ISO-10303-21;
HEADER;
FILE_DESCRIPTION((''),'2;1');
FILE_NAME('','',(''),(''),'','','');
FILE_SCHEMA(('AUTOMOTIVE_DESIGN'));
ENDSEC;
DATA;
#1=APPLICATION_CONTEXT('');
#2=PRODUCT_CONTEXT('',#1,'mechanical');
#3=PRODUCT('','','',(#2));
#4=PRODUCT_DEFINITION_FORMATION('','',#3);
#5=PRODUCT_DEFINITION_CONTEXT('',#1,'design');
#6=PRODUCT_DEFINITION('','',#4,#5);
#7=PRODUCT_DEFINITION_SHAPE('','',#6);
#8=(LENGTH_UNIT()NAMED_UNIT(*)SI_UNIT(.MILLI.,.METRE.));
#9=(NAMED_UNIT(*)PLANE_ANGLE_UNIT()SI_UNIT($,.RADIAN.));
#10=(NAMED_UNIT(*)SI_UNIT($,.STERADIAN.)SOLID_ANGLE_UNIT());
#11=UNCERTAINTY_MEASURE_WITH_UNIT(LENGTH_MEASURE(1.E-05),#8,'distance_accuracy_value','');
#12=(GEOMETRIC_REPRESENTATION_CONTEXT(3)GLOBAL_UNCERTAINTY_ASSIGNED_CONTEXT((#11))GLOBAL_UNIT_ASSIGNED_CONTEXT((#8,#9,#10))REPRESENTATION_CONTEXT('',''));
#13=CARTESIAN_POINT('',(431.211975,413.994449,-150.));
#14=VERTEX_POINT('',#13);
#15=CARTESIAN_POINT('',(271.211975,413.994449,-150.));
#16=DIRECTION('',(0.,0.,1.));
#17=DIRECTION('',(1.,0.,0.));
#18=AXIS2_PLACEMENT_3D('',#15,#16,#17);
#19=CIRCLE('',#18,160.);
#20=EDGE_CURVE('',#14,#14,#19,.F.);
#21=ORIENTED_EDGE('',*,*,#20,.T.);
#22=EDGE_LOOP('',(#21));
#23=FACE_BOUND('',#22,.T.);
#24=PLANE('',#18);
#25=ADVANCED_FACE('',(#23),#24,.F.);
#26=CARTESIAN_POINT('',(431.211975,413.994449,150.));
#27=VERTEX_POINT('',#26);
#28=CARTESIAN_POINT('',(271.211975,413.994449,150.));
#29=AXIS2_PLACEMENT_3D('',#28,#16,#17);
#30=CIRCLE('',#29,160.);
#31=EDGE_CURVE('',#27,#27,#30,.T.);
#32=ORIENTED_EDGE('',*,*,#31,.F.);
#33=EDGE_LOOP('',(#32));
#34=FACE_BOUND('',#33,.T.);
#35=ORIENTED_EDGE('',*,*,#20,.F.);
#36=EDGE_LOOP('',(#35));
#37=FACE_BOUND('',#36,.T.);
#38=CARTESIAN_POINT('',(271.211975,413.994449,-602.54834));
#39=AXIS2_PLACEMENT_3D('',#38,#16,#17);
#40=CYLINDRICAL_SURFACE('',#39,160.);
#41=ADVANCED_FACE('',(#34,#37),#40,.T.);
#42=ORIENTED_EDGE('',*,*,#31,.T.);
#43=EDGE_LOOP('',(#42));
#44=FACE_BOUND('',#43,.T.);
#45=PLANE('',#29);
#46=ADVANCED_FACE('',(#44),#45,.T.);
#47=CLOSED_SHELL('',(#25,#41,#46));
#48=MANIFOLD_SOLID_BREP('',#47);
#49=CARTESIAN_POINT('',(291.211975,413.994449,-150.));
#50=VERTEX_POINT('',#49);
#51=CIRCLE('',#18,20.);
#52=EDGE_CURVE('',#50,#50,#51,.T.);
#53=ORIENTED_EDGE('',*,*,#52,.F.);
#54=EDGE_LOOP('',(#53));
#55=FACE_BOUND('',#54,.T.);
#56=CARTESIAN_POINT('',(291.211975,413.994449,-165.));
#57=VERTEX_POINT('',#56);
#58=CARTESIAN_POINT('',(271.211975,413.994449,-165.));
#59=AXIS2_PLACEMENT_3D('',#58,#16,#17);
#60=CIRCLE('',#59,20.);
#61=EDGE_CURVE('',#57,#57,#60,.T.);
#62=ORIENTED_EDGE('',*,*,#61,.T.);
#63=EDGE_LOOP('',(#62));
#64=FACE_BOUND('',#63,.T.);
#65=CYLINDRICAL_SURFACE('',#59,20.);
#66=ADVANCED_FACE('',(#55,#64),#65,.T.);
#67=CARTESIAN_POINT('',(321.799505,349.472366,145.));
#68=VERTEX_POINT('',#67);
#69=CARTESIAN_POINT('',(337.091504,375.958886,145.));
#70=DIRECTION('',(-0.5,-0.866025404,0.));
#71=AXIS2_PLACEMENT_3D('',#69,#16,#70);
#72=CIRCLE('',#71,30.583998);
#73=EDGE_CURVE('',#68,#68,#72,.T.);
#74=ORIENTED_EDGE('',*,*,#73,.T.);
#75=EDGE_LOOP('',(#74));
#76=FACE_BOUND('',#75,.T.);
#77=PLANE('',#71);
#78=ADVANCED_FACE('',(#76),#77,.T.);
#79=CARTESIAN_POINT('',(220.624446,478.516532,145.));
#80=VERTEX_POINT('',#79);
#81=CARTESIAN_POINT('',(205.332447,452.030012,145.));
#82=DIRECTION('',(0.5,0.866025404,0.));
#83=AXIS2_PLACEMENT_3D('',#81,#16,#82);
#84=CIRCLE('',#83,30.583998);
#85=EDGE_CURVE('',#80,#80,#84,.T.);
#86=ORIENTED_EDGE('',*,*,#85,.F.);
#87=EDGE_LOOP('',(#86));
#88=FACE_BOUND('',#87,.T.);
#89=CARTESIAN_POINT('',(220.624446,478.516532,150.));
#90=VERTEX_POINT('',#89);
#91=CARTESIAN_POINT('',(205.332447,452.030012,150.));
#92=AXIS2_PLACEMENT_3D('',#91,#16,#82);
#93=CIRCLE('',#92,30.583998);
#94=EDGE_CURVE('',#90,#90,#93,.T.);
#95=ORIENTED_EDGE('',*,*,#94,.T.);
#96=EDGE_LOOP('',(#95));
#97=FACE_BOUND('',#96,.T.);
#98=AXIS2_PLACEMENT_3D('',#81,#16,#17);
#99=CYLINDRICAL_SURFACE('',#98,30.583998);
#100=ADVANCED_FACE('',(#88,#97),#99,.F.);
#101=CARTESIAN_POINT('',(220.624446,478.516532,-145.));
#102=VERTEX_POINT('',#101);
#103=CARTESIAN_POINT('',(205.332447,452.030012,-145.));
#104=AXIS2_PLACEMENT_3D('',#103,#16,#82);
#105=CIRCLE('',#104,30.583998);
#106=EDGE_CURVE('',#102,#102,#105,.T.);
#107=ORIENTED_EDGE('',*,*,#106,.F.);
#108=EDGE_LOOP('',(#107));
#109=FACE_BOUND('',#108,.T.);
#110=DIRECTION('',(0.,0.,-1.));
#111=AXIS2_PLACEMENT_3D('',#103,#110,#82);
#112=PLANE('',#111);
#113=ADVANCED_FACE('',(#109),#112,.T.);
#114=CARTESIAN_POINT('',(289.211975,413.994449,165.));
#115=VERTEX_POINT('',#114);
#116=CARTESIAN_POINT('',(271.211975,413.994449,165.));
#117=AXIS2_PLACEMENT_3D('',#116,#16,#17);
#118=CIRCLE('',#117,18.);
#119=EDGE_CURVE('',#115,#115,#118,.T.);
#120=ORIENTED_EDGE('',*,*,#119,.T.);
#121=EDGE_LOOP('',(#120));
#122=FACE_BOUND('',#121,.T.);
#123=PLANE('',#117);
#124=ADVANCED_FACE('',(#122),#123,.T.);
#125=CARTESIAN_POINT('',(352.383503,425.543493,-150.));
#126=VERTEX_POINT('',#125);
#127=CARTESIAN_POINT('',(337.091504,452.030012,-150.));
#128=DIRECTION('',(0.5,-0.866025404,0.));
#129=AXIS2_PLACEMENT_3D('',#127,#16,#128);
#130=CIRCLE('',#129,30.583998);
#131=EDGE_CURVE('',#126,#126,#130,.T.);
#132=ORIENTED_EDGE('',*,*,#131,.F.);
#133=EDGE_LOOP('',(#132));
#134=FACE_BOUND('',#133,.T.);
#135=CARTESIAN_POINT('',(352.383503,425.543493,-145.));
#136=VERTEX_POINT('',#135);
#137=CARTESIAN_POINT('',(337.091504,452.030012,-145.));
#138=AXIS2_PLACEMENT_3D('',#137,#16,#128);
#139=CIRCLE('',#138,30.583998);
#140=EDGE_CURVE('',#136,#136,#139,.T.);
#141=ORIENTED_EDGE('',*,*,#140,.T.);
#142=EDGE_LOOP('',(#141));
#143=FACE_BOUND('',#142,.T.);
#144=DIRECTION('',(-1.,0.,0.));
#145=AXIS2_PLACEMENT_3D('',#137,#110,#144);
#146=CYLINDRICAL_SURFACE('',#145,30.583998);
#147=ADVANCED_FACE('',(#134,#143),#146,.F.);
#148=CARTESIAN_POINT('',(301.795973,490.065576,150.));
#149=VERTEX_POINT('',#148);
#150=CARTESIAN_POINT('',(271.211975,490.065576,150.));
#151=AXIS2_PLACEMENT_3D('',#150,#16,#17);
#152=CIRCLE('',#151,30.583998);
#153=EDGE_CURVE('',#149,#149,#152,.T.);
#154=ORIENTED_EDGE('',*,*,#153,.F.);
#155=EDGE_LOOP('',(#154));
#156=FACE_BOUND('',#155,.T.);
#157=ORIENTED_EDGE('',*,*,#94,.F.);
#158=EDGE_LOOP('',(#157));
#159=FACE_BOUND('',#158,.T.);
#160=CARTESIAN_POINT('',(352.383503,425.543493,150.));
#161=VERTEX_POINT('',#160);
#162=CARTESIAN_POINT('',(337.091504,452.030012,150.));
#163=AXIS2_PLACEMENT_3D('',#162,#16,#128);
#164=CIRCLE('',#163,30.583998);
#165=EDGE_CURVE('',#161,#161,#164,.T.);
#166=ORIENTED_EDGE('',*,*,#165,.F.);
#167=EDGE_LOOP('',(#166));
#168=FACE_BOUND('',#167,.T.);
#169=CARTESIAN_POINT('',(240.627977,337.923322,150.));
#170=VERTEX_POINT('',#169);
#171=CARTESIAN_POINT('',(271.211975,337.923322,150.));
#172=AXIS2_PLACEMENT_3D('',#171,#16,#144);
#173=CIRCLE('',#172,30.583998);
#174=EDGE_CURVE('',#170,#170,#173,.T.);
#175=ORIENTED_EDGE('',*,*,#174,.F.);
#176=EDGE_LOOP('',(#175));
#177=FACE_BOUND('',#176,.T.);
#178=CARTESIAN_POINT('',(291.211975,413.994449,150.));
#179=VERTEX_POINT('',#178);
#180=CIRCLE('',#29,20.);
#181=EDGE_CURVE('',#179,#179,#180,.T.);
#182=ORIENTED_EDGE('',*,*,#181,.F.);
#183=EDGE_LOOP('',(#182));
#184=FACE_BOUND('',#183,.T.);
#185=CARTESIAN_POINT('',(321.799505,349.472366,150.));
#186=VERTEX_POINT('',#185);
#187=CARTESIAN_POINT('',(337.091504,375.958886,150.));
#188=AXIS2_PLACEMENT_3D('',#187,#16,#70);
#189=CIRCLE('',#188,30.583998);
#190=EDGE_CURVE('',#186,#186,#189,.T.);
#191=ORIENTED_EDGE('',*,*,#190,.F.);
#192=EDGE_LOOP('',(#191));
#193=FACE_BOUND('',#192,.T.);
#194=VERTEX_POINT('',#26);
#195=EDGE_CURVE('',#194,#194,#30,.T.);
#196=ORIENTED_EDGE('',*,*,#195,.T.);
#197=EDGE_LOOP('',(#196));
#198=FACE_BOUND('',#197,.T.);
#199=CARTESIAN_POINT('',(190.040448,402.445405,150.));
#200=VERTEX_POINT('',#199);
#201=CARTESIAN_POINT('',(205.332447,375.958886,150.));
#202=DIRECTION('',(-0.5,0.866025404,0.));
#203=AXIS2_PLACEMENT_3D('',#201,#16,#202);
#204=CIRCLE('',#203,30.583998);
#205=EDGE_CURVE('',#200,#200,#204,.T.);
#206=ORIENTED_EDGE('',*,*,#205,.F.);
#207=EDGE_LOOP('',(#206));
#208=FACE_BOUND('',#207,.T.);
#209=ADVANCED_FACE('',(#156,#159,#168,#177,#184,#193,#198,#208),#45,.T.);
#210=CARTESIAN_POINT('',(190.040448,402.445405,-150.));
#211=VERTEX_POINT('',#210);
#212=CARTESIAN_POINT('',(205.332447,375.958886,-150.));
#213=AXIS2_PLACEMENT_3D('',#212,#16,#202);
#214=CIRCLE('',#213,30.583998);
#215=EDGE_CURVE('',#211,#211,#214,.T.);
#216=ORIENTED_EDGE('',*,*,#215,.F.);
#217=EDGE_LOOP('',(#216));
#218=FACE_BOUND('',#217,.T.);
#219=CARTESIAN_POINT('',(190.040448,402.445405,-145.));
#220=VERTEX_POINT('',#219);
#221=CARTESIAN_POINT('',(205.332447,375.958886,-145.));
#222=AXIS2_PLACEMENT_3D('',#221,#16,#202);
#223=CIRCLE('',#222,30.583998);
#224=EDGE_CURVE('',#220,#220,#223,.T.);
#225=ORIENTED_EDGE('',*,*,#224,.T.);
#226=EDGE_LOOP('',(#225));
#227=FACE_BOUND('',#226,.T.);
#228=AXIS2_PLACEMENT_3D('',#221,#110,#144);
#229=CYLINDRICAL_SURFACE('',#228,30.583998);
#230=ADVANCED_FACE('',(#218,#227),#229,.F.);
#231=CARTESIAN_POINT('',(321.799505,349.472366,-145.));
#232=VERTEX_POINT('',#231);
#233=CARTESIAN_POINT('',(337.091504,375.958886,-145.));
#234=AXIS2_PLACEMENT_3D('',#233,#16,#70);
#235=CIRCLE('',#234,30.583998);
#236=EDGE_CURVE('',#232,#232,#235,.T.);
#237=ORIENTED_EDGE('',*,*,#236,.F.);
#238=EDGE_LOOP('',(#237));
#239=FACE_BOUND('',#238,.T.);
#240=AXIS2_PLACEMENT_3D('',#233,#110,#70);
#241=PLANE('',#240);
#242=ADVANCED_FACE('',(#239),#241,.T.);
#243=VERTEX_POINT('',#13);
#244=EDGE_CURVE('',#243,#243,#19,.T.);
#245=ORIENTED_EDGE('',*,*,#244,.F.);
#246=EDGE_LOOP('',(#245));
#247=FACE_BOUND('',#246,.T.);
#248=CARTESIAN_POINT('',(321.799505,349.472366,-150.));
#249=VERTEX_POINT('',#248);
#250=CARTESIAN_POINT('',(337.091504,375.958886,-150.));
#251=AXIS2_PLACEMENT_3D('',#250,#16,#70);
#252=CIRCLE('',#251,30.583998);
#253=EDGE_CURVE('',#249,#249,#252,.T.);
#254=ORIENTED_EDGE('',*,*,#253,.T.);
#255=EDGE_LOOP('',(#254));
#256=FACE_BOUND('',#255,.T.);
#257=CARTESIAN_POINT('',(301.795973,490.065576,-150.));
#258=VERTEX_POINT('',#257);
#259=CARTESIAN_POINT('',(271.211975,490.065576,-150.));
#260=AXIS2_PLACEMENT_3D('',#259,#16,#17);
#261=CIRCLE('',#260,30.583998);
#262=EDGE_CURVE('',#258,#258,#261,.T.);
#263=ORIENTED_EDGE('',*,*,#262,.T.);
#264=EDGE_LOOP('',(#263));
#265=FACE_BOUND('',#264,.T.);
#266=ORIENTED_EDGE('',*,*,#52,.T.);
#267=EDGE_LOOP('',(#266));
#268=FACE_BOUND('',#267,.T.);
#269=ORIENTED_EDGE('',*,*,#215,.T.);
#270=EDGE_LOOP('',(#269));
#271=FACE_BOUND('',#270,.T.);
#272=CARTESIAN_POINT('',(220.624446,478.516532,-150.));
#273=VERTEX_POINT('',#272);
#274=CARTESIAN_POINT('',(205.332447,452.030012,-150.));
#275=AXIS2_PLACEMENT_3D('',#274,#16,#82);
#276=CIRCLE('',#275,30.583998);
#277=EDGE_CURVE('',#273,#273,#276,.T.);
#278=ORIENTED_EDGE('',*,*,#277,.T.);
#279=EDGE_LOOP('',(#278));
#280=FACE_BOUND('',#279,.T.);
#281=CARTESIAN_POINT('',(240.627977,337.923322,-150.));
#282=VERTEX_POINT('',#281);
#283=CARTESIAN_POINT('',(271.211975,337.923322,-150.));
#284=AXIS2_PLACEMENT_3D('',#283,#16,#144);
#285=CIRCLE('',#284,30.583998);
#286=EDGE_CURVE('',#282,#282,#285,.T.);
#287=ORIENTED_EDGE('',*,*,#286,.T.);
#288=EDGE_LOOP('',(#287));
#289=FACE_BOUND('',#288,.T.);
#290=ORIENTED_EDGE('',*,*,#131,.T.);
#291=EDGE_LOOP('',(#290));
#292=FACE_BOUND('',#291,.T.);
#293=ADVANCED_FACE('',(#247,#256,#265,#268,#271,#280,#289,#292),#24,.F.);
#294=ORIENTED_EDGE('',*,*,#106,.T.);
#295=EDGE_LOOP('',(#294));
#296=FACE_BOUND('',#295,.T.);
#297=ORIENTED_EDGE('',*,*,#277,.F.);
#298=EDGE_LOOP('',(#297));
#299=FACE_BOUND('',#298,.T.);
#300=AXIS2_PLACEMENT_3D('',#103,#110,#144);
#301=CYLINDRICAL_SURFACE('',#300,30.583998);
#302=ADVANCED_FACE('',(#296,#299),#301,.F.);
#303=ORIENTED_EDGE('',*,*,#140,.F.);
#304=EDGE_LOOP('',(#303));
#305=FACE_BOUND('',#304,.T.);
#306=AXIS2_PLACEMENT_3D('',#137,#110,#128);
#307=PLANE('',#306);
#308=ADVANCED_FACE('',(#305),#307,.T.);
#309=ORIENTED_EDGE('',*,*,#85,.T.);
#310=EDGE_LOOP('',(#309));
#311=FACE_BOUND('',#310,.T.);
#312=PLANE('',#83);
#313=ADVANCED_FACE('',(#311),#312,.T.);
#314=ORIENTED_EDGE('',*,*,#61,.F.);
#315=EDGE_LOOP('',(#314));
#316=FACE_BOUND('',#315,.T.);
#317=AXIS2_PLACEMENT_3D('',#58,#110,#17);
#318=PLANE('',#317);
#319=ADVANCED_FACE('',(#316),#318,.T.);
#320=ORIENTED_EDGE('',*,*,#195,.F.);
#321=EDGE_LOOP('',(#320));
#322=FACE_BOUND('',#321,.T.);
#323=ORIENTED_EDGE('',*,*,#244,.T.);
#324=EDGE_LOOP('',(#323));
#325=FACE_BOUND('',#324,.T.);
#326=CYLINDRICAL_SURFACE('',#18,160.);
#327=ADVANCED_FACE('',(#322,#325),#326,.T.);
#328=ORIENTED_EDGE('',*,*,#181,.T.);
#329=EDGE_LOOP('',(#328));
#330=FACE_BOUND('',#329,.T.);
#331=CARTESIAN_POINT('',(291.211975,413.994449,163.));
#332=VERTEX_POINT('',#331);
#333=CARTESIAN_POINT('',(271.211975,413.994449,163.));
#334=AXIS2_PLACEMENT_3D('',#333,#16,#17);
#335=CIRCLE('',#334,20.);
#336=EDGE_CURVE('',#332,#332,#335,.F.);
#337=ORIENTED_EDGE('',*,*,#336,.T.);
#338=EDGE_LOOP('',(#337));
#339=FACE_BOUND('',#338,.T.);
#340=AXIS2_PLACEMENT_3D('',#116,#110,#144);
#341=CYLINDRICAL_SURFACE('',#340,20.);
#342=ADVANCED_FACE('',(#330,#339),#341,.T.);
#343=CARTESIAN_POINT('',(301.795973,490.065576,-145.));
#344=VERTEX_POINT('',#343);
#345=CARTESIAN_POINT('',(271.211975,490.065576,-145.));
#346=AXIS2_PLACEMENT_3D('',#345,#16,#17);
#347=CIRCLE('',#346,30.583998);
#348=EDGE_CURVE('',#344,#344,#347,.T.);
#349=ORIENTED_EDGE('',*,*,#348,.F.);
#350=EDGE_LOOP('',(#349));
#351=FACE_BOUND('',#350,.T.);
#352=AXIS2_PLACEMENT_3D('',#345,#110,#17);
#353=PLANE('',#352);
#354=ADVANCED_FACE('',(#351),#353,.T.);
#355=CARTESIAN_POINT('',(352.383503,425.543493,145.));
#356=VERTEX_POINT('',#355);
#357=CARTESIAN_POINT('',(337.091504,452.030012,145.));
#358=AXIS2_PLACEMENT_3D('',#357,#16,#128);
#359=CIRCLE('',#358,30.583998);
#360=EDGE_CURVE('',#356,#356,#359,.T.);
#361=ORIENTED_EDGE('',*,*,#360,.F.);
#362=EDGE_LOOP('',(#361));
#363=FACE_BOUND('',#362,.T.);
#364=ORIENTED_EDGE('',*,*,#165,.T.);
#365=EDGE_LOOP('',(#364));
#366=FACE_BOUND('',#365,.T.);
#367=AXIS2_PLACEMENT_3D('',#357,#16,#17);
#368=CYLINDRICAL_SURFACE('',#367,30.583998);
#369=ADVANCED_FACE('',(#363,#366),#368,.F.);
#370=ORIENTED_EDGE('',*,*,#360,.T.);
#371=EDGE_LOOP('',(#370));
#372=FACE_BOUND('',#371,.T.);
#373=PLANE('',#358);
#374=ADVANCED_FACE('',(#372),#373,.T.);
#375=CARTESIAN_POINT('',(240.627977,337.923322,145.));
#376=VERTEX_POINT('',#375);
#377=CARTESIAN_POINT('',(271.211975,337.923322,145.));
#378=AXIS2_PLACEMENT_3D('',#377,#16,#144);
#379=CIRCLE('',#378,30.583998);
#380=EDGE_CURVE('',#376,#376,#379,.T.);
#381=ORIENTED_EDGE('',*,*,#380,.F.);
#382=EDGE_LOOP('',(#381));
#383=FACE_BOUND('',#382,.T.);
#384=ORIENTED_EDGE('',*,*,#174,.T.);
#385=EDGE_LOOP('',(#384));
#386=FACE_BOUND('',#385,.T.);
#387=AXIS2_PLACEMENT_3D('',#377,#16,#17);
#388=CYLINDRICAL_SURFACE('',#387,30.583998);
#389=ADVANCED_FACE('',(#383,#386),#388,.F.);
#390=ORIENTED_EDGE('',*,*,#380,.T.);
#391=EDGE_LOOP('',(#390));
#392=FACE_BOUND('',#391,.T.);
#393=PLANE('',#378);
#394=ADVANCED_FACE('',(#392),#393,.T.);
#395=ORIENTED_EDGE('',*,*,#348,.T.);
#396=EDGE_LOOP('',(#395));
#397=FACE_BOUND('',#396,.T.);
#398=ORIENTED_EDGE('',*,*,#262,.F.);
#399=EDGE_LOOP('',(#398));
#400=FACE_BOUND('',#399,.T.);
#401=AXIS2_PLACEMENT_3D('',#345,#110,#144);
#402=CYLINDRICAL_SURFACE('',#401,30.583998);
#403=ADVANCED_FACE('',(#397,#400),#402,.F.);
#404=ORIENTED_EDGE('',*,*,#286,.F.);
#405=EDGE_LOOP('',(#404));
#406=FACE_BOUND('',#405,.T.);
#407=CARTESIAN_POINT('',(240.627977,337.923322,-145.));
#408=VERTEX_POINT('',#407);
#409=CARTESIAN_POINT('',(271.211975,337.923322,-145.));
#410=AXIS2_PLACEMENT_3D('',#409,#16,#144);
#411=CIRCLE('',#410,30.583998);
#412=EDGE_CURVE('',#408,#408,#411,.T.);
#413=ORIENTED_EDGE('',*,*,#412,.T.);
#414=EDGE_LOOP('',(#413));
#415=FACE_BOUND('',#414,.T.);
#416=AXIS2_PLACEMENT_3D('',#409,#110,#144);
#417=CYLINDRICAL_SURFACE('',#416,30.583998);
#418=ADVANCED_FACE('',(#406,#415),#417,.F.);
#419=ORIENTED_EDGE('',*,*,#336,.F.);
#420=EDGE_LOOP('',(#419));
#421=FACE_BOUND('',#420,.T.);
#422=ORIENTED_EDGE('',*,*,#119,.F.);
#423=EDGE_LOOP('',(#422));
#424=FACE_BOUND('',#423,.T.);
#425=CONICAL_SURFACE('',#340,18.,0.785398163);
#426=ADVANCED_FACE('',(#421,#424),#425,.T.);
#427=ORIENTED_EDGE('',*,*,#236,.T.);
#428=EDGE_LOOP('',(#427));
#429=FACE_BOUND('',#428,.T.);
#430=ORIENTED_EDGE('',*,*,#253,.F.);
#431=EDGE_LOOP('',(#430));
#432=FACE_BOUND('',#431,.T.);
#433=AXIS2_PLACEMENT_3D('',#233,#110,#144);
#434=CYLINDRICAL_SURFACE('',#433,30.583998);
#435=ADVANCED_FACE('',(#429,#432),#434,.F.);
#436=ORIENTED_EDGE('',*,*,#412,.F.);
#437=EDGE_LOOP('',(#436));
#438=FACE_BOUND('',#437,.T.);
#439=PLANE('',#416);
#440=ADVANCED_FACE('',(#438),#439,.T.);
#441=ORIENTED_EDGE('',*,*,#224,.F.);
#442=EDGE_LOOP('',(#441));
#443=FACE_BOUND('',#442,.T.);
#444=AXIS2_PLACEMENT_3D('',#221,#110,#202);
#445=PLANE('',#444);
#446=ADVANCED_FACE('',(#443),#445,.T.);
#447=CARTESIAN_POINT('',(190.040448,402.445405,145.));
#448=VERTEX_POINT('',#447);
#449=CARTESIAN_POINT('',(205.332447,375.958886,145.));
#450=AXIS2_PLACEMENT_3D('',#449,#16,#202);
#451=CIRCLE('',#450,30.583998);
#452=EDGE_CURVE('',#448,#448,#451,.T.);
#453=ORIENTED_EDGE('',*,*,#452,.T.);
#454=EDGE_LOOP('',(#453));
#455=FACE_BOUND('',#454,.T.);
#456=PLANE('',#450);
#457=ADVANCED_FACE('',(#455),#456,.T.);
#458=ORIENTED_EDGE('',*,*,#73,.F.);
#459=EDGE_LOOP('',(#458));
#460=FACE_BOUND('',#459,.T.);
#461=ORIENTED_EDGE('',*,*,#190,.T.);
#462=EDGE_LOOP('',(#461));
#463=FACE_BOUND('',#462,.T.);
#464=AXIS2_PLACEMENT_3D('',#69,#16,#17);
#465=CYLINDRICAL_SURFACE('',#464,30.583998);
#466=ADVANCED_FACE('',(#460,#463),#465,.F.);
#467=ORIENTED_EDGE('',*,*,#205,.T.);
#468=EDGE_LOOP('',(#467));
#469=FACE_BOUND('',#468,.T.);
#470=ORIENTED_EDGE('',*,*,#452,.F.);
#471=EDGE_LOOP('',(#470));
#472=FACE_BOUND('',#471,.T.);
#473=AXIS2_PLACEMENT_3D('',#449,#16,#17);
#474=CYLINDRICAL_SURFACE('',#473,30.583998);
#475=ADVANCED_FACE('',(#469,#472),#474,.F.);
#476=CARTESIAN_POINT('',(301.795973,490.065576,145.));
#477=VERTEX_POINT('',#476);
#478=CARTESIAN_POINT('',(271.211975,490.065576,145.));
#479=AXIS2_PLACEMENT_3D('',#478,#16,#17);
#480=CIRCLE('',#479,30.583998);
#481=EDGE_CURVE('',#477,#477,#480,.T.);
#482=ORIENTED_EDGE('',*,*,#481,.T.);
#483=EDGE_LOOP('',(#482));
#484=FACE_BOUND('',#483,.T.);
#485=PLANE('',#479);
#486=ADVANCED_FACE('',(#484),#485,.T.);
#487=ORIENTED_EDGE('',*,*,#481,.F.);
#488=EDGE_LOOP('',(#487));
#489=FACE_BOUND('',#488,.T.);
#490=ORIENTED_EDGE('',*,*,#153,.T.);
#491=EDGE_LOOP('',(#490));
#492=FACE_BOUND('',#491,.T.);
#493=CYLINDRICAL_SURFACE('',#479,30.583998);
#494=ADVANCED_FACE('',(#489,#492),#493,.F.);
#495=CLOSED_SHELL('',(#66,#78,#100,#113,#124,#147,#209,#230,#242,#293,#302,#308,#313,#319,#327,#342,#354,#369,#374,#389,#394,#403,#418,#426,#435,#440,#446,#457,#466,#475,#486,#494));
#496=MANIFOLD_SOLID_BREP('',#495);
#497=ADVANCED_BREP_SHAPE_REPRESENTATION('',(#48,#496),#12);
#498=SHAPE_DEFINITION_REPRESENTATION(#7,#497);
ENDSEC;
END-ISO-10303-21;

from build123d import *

# Parameters (mm, degrees)
SKETCH1_R               = 160
BOSS_EXTRUDE1_DEPTH     = 150
SKETCH2_R               = 30.583998029
CUT_EXTRUDE1_DEPTH      = 5
CIRPATTERN1_COUNT       = 6
MIRROR1_COPY_1_SKETCH_R = 30.583998029
MIRROR1_COPY_1_DEPTH    = 5
MIRROR1_COPY_2_SKETCH_R = 30.583998029
MIRROR1_COPY_2_DEPTH    = 5
MIRROR1_COPY_3_SKETCH_R = 30.583998029
MIRROR1_COPY_3_DEPTH    = 5
MIRROR1_COPY_4_SKETCH_R = 30.583998029
MIRROR1_COPY_4_DEPTH    = 5
MIRROR1_COPY_5_SKETCH_R = 30.583998029
MIRROR1_COPY_5_DEPTH    = 5
SKETCH3_R               = 20
BOSS_EXTRUDE2_DEPTH     = 15
CHAMFER1_SIZE           = 2
SKETCH4_R               = 160
BOSS_EXTRUDE3_DEPTH     = 300


with BuildPart() as part:
    # Sketch1 → Boss-Extrude1 (new, symmetric)
    with BuildSketch(Plane.XY):
        with Locations((271.211975439, 413.994449049)):
            Circle(SKETCH1_R)
    extrude(amount=BOSS_EXTRUDE1_DEPTH, both=True)

    # Sketch2 → Cut-Extrude1 (cut)
    with BuildSketch(Plane.XY.offset(150)):
        with Locations((271.211975439, 490.065575896)):
            Circle(SKETCH2_R)
    cut_extrude1 = extrude(amount=-CUT_EXTRUDE1_DEPTH, mode=Mode.SUBTRACT)

    # CirPattern1: Cut-Extrude1 ×6 about axis
    cirpattern1_axis = Axis((271.211975439, 413.994449049, 0), (0, 0, 1))
    for i in range(1, CIRPATTERN1_COUNT):
        add(cut_extrude1.rotate(cirpattern1_axis, i * 360 / CIRPATTERN1_COUNT), mode=Mode.SUBTRACT)

    # Mirror1: Cut-Extrude1 across plane
    add(cut_extrude1.mirror(Plane.XY), mode=Mode.SUBTRACT)

    # Mirror1 copy 1 sketch → Mirror1 copy 1 (cut)
    with BuildSketch(Plane(origin=(494.135697622, -27.879236016, -150), x_dir=(0.5000000000000001, 0.8660254037844386, 0), z_dir=(0, 0, -1))):
        with Locations((271.211975439, -490.065575896)):
            Circle(MIRROR1_COPY_1_SKETCH_R)
    extrude(amount=-MIRROR1_COPY_1_DEPTH, mode=Mode.SUBTRACT)

    # Mirror1 copy 2 sketch → Mirror1 copy 2 (cut)
    with BuildSketch(Plane(origin=(765.347673061, 386.115213033, -150), x_dir=(-0.4999999999999998, 0.8660254037844387, 0), z_dir=(0, 0, -1))):
        with Locations((271.211975439, -490.065575896)):
            Circle(MIRROR1_COPY_2_SKETCH_R)
    extrude(amount=-MIRROR1_COPY_2_DEPTH, mode=Mode.SUBTRACT)

    # Mirror1 copy 3 sketch → Mirror1 copy 3 (cut)
    with BuildSketch(Plane(origin=(542.423950878, 827.988898099, -150), x_dir=(-1, 0, 0), z_dir=(0, 0, -1))):
        with Locations((271.211975439, -490.065575896)):
            Circle(MIRROR1_COPY_3_SKETCH_R)
    extrude(amount=-MIRROR1_COPY_3_DEPTH, mode=Mode.SUBTRACT)

    # Mirror1 copy 4 sketch → Mirror1 copy 4 (cut)
    with BuildSketch(Plane(origin=(48.288253256, 855.868134114, -150), x_dir=(-0.5000000000000004, -0.8660254037844384, 0), z_dir=(0, 0, -1))):
        with Locations((271.211975439, -490.065575896)):
            Circle(MIRROR1_COPY_4_SKETCH_R)
    extrude(amount=-MIRROR1_COPY_4_DEPTH, mode=Mode.SUBTRACT)

    # Mirror1 copy 5 sketch → Mirror1 copy 5 (cut)
    with BuildSketch(Plane(origin=(-222.923722183, 441.873685065, -150), x_dir=(0.5000000000000001, -0.8660254037844386, 0), z_dir=(0, 0, -1))):
        with Locations((271.211975439, -490.065575896)):
            Circle(MIRROR1_COPY_5_SKETCH_R)
    extrude(amount=-MIRROR1_COPY_5_DEPTH, mode=Mode.SUBTRACT)

    # Sketch3 → Boss-Extrude2 (add)
    with BuildSketch(Plane.XY.offset(150)):
        with Locations((271.211975439, 413.994449049)):
            Circle(SKETCH3_R)
    boss_extrude2 = extrude(amount=BOSS_EXTRUDE2_DEPTH)

    # Chamfer1
    chamfer1_edges = [part.edges().sort_by_distance(p)[0] for p in [
        (251.211975439, 413.994449049, 165),
    ]]
    chamfer(chamfer1_edges, length=CHAMFER1_SIZE)

    # Mirror4: Boss-Extrude2 across plane
    add(boss_extrude2.mirror(Plane.XY))


with BuildPart() as body_2:
    # Sketch4 → Boss-Extrude3 (new body)
    with BuildSketch(Plane.XY.offset(150)):
        with Locations((271.211975439, 413.994449049)):
            Circle(SKETCH4_R)
    extrude(amount=-BOSS_EXTRUDE3_DEPTH)


solid = Compound([part.part, body_2.part])
